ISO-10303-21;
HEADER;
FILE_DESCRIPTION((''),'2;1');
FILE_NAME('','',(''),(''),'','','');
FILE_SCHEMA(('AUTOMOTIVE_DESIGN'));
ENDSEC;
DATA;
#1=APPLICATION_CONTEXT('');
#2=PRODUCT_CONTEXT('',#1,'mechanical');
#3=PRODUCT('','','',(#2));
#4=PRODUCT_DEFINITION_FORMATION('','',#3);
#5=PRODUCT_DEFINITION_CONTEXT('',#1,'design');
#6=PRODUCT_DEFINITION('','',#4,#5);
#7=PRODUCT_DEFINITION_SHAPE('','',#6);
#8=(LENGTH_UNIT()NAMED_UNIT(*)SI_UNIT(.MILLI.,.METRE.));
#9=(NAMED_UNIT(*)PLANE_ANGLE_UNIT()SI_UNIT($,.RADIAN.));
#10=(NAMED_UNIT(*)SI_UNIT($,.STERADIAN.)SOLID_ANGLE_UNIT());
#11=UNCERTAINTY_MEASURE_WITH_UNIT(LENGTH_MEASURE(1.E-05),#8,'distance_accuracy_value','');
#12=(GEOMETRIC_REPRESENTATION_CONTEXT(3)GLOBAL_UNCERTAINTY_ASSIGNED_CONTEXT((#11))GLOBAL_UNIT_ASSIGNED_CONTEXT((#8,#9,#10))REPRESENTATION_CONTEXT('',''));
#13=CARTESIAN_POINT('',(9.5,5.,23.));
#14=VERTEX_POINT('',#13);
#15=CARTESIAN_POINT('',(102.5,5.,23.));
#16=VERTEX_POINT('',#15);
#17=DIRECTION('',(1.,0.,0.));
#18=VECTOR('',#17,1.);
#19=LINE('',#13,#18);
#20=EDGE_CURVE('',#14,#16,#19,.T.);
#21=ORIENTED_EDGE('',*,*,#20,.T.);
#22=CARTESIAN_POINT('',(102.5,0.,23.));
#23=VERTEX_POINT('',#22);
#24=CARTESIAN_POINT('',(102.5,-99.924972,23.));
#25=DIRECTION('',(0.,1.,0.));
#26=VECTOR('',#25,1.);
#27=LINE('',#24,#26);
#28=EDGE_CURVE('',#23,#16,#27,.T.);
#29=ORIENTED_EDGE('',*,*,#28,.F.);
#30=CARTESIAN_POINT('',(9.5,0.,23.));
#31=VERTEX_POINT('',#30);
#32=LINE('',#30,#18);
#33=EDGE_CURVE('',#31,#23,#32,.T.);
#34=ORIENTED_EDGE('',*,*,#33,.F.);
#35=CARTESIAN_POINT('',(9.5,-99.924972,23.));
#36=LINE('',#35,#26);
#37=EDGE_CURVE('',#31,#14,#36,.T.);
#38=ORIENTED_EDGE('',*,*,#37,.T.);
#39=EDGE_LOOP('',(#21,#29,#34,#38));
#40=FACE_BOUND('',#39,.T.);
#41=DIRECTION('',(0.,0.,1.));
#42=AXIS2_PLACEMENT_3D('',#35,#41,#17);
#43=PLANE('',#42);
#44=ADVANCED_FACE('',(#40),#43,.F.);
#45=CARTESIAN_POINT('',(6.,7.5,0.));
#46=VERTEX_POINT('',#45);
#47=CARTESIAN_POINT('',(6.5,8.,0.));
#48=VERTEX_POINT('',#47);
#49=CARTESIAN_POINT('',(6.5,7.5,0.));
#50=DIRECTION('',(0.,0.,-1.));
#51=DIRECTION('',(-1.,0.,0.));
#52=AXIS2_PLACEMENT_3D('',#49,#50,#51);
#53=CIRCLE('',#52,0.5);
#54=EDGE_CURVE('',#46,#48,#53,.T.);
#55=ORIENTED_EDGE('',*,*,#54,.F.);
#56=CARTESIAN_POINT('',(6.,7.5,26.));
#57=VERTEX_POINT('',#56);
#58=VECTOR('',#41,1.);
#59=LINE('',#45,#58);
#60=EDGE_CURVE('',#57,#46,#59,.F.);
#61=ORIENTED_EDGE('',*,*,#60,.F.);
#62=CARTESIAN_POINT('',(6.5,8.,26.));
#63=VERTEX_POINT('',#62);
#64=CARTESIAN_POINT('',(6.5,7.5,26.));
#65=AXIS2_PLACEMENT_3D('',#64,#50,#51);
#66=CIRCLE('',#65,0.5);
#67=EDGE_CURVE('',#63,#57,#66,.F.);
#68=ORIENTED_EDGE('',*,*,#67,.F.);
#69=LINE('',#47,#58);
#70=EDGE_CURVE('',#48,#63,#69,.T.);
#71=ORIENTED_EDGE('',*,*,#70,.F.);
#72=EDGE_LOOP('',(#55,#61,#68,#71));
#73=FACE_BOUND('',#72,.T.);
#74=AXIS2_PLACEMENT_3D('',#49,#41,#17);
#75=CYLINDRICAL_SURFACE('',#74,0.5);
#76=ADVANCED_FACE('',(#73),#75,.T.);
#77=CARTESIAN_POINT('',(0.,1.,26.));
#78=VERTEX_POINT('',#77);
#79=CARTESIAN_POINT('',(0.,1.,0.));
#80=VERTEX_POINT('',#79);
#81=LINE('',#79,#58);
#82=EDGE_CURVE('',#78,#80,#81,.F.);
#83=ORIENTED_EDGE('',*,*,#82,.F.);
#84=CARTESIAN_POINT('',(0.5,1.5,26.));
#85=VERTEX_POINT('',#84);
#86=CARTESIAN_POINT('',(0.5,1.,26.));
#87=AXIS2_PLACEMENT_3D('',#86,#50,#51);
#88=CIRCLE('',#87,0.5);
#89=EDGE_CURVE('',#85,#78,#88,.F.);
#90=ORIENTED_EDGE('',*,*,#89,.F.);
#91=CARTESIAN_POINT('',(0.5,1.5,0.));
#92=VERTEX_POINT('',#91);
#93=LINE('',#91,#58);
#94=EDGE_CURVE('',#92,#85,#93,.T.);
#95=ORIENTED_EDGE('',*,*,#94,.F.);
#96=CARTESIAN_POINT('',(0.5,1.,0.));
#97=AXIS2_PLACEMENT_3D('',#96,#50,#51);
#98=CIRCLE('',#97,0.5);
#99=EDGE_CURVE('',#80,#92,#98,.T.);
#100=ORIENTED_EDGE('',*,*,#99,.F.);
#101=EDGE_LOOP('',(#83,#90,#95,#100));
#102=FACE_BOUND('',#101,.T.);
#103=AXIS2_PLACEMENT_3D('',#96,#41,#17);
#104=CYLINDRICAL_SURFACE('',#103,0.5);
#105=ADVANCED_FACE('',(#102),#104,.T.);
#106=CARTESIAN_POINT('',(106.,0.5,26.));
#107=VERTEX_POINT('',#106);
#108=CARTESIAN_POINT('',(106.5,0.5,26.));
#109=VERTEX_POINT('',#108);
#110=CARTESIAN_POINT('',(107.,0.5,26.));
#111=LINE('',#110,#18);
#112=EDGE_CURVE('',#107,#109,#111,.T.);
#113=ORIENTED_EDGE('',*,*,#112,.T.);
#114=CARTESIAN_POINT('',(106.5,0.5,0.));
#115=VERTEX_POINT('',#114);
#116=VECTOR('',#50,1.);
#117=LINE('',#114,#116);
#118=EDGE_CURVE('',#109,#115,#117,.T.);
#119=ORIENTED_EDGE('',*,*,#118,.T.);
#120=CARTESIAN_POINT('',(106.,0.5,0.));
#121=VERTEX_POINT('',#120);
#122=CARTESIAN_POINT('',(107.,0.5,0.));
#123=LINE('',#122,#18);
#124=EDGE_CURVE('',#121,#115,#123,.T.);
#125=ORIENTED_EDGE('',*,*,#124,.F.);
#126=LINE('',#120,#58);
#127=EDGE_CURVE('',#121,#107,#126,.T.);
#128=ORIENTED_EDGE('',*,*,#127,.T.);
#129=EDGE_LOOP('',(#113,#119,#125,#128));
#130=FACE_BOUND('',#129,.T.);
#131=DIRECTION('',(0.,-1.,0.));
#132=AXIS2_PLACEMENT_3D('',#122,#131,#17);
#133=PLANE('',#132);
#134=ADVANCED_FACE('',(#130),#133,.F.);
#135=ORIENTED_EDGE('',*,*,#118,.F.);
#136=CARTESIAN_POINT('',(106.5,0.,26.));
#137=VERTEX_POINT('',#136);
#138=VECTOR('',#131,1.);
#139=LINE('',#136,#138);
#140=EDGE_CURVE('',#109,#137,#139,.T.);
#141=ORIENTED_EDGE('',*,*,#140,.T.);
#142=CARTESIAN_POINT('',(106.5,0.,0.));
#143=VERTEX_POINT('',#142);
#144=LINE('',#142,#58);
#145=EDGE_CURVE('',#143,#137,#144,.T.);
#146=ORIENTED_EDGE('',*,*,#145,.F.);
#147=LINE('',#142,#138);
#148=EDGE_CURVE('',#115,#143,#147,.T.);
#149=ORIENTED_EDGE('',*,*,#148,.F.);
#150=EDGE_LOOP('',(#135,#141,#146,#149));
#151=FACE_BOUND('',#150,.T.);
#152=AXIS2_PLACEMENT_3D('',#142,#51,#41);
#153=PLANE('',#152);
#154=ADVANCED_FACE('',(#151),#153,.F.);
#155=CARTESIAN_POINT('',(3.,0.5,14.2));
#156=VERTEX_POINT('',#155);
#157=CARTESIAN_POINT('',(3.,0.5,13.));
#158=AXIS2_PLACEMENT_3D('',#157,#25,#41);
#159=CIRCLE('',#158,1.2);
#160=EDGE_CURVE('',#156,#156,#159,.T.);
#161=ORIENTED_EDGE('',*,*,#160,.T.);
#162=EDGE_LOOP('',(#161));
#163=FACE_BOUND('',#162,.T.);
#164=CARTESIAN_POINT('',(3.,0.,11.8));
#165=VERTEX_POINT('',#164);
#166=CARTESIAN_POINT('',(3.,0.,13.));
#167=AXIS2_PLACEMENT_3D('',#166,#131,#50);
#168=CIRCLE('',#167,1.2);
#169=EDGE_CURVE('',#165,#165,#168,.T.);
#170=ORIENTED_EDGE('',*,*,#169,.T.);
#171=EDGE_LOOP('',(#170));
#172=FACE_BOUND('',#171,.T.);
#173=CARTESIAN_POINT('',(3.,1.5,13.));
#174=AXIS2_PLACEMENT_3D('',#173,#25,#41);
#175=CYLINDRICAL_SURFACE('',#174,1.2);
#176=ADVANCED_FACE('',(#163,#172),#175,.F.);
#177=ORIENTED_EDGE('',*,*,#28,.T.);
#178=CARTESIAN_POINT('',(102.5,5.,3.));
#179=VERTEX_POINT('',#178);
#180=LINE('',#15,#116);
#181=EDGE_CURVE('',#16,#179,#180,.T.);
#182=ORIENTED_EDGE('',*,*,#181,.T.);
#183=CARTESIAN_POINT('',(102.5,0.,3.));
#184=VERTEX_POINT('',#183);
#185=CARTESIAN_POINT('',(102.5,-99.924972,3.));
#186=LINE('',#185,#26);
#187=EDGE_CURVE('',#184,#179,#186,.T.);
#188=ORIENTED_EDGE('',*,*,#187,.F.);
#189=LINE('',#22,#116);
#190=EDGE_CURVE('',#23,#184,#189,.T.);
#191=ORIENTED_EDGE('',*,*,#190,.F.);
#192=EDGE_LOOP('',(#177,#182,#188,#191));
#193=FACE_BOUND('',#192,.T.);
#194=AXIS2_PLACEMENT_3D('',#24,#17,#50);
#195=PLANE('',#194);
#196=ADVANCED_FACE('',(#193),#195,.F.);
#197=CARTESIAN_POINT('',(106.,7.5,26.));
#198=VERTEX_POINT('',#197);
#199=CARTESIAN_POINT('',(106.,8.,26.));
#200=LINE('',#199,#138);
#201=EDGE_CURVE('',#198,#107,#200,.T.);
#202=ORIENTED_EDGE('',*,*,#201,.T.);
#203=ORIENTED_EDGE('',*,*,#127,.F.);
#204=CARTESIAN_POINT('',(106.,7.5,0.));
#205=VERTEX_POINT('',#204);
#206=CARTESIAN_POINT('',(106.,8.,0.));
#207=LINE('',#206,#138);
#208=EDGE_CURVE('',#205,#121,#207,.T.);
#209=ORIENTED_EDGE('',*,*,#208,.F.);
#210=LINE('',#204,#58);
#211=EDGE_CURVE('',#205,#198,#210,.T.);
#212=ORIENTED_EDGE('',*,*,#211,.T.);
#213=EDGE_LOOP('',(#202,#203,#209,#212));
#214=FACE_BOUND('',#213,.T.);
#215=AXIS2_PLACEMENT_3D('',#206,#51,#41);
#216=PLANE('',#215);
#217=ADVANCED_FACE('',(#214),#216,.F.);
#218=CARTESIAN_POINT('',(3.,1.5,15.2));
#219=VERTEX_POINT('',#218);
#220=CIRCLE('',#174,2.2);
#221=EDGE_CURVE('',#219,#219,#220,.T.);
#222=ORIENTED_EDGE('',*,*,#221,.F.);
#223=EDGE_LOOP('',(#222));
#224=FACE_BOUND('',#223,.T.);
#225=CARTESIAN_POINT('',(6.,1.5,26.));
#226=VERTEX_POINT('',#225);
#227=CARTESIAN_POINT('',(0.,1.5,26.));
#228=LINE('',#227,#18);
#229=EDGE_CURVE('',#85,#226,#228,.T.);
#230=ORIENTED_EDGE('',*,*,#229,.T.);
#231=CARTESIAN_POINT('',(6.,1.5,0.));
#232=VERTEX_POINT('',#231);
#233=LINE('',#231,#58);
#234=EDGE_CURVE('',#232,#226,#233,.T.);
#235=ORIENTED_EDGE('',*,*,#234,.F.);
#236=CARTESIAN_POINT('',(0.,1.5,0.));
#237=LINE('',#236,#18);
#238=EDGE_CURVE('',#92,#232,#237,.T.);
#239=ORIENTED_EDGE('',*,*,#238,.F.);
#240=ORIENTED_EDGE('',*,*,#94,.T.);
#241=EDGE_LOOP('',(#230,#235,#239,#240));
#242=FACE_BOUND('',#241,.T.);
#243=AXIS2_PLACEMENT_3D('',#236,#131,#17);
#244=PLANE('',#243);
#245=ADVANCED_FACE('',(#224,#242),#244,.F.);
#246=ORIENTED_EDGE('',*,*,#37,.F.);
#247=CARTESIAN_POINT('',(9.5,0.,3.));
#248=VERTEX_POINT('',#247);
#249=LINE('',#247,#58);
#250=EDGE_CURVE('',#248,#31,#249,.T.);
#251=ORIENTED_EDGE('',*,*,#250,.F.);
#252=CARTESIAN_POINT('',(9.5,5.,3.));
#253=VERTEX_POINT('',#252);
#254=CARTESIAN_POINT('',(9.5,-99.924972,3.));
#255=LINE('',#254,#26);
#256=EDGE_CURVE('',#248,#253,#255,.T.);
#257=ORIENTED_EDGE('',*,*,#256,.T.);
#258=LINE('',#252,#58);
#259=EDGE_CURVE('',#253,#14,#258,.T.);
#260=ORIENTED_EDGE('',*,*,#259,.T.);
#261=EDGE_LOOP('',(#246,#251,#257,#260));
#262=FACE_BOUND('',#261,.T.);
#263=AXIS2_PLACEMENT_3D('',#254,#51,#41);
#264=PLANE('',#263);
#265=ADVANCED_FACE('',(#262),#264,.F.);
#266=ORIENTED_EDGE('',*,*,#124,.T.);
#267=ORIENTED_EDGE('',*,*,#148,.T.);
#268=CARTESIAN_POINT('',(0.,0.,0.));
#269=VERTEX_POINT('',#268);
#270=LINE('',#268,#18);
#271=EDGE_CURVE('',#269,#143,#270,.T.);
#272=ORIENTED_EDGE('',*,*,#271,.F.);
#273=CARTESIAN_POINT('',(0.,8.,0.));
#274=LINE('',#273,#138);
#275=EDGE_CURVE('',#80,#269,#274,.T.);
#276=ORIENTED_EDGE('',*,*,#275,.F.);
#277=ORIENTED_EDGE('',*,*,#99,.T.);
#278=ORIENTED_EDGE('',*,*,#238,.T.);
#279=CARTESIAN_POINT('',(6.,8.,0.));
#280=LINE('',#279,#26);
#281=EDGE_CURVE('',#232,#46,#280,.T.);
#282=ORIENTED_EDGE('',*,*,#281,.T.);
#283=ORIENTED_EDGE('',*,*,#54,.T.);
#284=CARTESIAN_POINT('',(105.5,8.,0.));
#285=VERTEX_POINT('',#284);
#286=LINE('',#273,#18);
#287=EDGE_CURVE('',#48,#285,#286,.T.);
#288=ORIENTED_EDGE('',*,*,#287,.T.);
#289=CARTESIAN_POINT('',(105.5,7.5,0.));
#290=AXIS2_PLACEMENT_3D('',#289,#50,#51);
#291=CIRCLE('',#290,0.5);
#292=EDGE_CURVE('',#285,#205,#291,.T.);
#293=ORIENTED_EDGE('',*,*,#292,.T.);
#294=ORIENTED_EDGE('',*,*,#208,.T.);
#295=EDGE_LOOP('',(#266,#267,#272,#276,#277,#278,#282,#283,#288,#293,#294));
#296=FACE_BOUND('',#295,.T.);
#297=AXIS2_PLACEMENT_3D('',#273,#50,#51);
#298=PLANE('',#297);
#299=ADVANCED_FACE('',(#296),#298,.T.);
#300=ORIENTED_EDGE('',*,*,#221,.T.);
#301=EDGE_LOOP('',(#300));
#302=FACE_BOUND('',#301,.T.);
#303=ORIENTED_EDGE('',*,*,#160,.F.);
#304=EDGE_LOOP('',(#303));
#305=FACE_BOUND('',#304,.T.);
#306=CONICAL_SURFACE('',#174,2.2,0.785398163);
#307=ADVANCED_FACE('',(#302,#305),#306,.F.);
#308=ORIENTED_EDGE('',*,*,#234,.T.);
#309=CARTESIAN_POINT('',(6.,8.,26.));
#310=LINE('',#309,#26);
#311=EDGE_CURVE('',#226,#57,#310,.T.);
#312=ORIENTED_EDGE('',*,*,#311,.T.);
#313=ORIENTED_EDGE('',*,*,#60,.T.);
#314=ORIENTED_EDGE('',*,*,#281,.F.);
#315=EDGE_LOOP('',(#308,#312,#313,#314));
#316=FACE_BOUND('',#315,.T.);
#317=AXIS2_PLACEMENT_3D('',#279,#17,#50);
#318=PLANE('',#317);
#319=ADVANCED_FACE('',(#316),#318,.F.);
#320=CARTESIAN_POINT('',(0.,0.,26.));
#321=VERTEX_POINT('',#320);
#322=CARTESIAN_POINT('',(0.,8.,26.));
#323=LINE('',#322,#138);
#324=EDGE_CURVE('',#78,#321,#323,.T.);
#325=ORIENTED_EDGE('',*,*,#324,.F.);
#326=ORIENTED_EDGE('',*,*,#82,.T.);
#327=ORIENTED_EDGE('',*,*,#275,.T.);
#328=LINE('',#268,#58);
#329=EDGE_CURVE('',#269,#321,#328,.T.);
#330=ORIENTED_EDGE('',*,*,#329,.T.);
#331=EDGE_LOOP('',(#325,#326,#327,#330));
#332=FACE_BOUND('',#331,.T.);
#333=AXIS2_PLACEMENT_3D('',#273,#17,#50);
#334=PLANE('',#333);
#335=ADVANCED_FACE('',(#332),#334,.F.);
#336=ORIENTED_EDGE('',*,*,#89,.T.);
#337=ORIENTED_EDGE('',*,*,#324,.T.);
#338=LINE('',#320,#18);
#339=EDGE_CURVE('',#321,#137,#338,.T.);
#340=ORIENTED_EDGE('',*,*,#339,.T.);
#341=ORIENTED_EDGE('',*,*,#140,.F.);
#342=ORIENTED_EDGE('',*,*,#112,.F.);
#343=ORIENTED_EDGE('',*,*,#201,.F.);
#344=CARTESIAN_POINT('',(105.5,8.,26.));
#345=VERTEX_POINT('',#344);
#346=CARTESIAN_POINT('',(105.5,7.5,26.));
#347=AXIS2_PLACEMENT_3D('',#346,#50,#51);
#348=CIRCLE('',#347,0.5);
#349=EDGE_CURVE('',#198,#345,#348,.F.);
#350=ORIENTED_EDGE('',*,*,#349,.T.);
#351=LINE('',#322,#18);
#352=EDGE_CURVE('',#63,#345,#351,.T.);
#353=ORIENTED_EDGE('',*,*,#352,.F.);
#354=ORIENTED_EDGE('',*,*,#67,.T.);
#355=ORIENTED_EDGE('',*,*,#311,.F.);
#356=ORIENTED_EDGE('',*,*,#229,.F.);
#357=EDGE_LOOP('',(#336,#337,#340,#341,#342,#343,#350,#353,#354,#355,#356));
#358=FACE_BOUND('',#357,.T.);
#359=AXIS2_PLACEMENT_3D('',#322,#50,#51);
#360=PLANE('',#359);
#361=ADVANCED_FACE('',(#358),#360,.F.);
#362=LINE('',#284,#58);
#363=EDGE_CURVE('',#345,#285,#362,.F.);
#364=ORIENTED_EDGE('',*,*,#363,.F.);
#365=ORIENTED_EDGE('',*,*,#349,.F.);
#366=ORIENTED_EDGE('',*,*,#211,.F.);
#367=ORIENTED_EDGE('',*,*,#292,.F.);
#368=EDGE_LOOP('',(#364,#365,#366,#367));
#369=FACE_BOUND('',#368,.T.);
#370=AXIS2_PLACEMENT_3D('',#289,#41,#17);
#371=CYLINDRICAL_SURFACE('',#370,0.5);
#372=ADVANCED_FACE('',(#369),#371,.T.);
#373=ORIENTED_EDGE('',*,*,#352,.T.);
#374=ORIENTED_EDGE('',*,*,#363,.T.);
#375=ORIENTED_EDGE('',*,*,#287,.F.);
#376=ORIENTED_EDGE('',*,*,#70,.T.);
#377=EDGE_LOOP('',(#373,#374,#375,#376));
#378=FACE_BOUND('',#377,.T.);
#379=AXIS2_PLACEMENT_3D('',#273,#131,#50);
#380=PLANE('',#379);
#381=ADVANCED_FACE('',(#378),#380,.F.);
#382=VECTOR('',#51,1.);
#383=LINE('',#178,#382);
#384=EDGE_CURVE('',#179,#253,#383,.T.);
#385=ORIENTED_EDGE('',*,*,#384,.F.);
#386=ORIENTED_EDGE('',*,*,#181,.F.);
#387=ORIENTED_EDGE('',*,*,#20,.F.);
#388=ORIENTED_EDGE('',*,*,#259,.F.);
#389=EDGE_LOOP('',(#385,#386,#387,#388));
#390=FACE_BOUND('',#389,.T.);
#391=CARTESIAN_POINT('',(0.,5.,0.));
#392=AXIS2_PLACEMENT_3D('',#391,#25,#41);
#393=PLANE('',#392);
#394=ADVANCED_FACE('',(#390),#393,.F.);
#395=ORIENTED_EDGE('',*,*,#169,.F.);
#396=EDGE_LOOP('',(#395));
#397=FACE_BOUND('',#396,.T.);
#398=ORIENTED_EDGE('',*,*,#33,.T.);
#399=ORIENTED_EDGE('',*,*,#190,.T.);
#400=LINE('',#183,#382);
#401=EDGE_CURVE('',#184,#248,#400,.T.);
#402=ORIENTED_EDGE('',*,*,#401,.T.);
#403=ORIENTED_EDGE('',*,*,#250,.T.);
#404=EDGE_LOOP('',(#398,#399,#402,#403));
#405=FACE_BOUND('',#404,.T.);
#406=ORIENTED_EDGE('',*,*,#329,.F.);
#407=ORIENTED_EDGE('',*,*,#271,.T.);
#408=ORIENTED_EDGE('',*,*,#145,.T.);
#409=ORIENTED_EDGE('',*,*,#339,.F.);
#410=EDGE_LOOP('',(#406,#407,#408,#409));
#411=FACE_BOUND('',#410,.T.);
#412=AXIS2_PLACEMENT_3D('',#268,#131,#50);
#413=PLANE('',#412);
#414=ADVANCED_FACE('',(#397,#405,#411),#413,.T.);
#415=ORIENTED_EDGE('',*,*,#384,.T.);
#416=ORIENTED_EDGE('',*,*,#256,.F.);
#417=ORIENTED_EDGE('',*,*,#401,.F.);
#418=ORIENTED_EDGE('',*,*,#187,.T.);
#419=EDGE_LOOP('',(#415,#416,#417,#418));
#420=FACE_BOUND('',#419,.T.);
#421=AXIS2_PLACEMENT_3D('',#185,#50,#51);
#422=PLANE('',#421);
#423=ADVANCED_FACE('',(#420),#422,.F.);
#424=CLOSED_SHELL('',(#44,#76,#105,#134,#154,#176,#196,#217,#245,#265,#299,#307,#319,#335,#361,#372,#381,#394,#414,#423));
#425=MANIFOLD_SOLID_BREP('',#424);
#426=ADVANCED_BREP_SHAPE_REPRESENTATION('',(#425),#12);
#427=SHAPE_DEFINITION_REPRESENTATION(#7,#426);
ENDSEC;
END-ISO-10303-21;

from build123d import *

# Parameters (mm, degrees)
SKETCH1_W                                           = 107
SKETCH1_H                                           = 26
BOSS_EXTRUDE1_DEPTH                                 = 8
SKETCH2_W                                           = 1
SKETCH2_H                                           = 7.5
SKETCH2_W_2                                         = 6
SKETCH2_H_2                                         = 6.5
CUT_EXTRUDE1_DEPTH                                  = 111.403804282
FILLET1_R                                           = 0.5
CSK_FOR_M2_COUNTERSUNK_FLAT_HEAD_SCREW1_D           = 2.4
CSK_FOR_M2_COUNTERSUNK_FLAT_HEAD_SCREW1_DEPTH       = 15
CSK_FOR_M2_COUNTERSUNK_FLAT_HEAD_SCREW1_CSINK_D     = 4.4
CSK_FOR_M2_COUNTERSUNK_FLAT_HEAD_SCREW1_CSINK_ANGLE = 90
CSK_FOR_M2_COUNTERSUNK_FLAT_HEAD_SCREW1_TIP         = 0.721032743
SKETCH14_W                                          = 97
SKETCH14_H                                          = 24
CUT_EXTRUDE7_DEPTH                                  = 111.403804282
SKETCH14_3_W                                        = 97
SKETCH14_3_H                                        = 24
BOSS_EXTRUDE3_DEPTH                                 = 1
SKETCH18_W                                          = 97
SKETCH18_H                                          = 24
CUT_EXTRUDE8_DEPTH                                  = 111.403804282
SKETCH20_W                                          = 97
SKETCH20_H                                          = 24
SKETCH20_W_2                                        = 93
SKETCH20_H_2                                        = 20
BOSS_EXTRUDE4_DEPTH                                 = 8
SKETCH20_2_W                                        = 97
SKETCH20_2_H                                        = 24
SKETCH20_2_W_2                                      = 93
SKETCH20_2_H_2                                      = 20
CUT_EXTRUDE9_DEPTH                                  = 3
SKETCH21_W                                          = 52
SKETCH21_H                                          = 2
BOSS_EXTRUDE5_DEPTH                                 = 5
SKETCH22_W                                          = 52
SKETCH22_H                                          = 2
BOSS_EXTRUDE6_DEPTH                                 = 5
SKETCH23_W                                          = 0.5
SKETCH23_H                                          = 16.612240618
CUT_EXTRUDE10_DEPTH                                 = 111.403804282
BOSS_EXTRUDE7_REACH                                 = 111.249
SKETCH25_W                                          = 2
SKETCH25_H                                          = 5
CUT_EXTRUDE11_REACH                                 = 64.258
SKETCH26_W                                          = 10
SKETCH26_H                                          = 2
SKETCH27_W                                          = 97
SKETCH27_H                                          = 24
BOSS_EXTRUDE8_DEPTH                                 = 3
SKETCH29_W                                          = 20
SKETCH29_H                                          = 5
CUT_EXTRUDE12_DEPTH                                 = 54


with BuildPart() as part:
    # Sketch1 → Boss-Extrude1 (new body)
    with BuildSketch(Plane(origin=(0, 0, 0), x_dir=(1, 0, 0), z_dir=(0, 1, 0))):
        with Locations((53.5, -13)):
            Rectangle(SKETCH1_W, SKETCH1_H)
    extrude(amount=BOSS_EXTRUDE1_DEPTH)

    # Sketch2 → Cut-Extrude1 (cut, through all)
    with BuildSketch(Plane.XY.offset(26)):
        with Locations((106.5, 4.25)):
            Rectangle(SKETCH2_W, SKETCH2_H)
        with Locations((3, 4.75)):
            Rectangle(SKETCH2_W_2, SKETCH2_H_2)
    extrude(amount=-CUT_EXTRUDE1_DEPTH, mode=Mode.SUBTRACT)

    # Fillet1
    fillet1_edges = [part.edges().sort_by_distance(p)[0] for p in [
        (106, 8, 13),
        (0, 1.5, 13),
        (6, 8, 13),
    ]]
    fillet(fillet1_edges, radius=FILLET1_R)

    # CSK for M2 Countersunk Flat Head Screw1
    with Locations(Plane(origin=(3, 1.5, 13), x_dir=(1, 0, 0), z_dir=(0, 1, 0))):
        with Locations((0, 0)):
            CounterSinkHole(CSK_FOR_M2_COUNTERSUNK_FLAT_HEAD_SCREW1_D / 2, CSK_FOR_M2_COUNTERSUNK_FLAT_HEAD_SCREW1_CSINK_D / 2, depth=CSK_FOR_M2_COUNTERSUNK_FLAT_HEAD_SCREW1_DEPTH, counter_sink_angle=CSK_FOR_M2_COUNTERSUNK_FLAT_HEAD_SCREW1_CSINK_ANGLE)
            with Locations((0, 0, -(CSK_FOR_M2_COUNTERSUNK_FLAT_HEAD_SCREW1_DEPTH + CSK_FOR_M2_COUNTERSUNK_FLAT_HEAD_SCREW1_TIP / 2))):  # 118° drill point
                Cone(0, CSK_FOR_M2_COUNTERSUNK_FLAT_HEAD_SCREW1_D / 2, CSK_FOR_M2_COUNTERSUNK_FLAT_HEAD_SCREW1_TIP, mode=Mode.SUBTRACT)

    # Sketch14 → Cut-Extrude7 (cut, through all)
    with BuildSketch(Plane(origin=(0, 8, 0), x_dir=(1, 0, 0), z_dir=(0, 1, 0))):
        with Locations((56, -13)):
            Rectangle(SKETCH14_W, SKETCH14_H)
    extrude(amount=-CUT_EXTRUDE7_DEPTH, mode=Mode.SUBTRACT)

    # Sketch14<3> → Boss-Extrude3 (add)
    with BuildSketch(Plane(origin=(0, 8, 0), x_dir=(1, 0, 0), z_dir=(0, 1, 0))):
        with Locations((56, -13)):
            Rectangle(SKETCH14_3_W, SKETCH14_3_H)
    extrude(amount=-BOSS_EXTRUDE3_DEPTH)

    # Sketch18 → Cut-Extrude8 (cut, through all)
    with BuildSketch(Plane(origin=(0, 0, 0), x_dir=(1, 0, 0), z_dir=(0, 1, 0))):
        with Locations((56, -13)):
            Rectangle(SKETCH18_W, SKETCH18_H)
    extrude(amount=CUT_EXTRUDE8_DEPTH, mode=Mode.SUBTRACT)

    # Sketch20 → Boss-Extrude4 (add)
    with BuildSketch(Plane(origin=(0, 8, 0), x_dir=(1, 0, 0), z_dir=(0, 1, 0))):
        with Locations((56, -13)):
            Rectangle(SKETCH20_W, SKETCH20_H)
        with Locations((56, -13)):
            Rectangle(SKETCH20_W_2, SKETCH20_H_2, mode=Mode.SUBTRACT)
    extrude(amount=-BOSS_EXTRUDE4_DEPTH)

    # Sketch20<2> → Cut-Extrude9 (cut)
    with BuildSketch(Plane(origin=(0, 8, 0), x_dir=(1, 0, 0), z_dir=(0, 1, 0))):
        with Locations((56, -13)):
            Rectangle(SKETCH20_2_W, SKETCH20_2_H)
        with Locations((56, -13)):
            Rectangle(SKETCH20_2_W_2, SKETCH20_2_H_2, mode=Mode.SUBTRACT)
    extrude(amount=-CUT_EXTRUDE9_DEPTH, mode=Mode.SUBTRACT)

    # Sketch21 → Boss-Extrude5 (add)
    with BuildSketch(Plane.XY.offset(3)):
        with Locations((76.5, 1)):
            Rectangle(SKETCH21_W, SKETCH21_H)
    extrude(amount=BOSS_EXTRUDE5_DEPTH)

    # Sketch22 → Boss-Extrude6 (add)
    with BuildSketch(Plane(origin=(0, 0, 23), x_dir=(-1, 0, 0), z_dir=(0, 0, -1))):
        with Locations((-76.5, 1)):
            Rectangle(SKETCH22_W, SKETCH22_H)
    extrude(amount=BOSS_EXTRUDE6_DEPTH)

    # Sketch23 → Cut-Extrude10 (cut, through all)
    with BuildSketch(Plane.XY.offset(26)):
        with Locations((106.75, 8.306120309)):
            Rectangle(SKETCH23_W, SKETCH23_H)
    extrude(amount=-CUT_EXTRUDE10_DEPTH, mode=Mode.SUBTRACT)

    # Sketch25 → Boss-Extrude7 (add, up to next)
    with BuildSketch(Plane(origin=(0, 0, 23), x_dir=(-1, 0, 0), z_dir=(0, 0, -1)), mode=Mode.PRIVATE) as boss_extrude7_sk1:
        with Locations((-49.5, 2.5)):
            Rectangle(SKETCH25_W, SKETCH25_H)
    boss_extrude7_tool1 = extrude(boss_extrude7_sk1.sketch, amount=BOSS_EXTRUDE7_REACH, mode=Mode.PRIVATE) - part.part
    add(boss_extrude7_tool1.solids().sort_by_distance((49.5, 2.5, 23))[0])

    # Sketch26 → Cut-Extrude11 (cut, up to next)
    with BuildSketch(Plane(origin=(50.5, 0, 0), x_dir=(0, 0, -1), z_dir=(1, 0, 0)), mode=Mode.PRIVATE) as cut_extrude11_sk1:
        with Locations((-13, 1)):
            Rectangle(SKETCH26_W, SKETCH26_H)
    cut_extrude11_tool1 = extrude(cut_extrude11_sk1.sketch, amount=-CUT_EXTRUDE11_REACH, mode=Mode.PRIVATE) & part.part
    add(cut_extrude11_tool1.solids().sort_by_distance((50.5, 1, 13))[0], mode=Mode.SUBTRACT)

    # Sketch27 → Boss-Extrude8 (add)
    with BuildSketch(Plane(origin=(0, 5, 0), x_dir=(1, 0, 0), z_dir=(0, 1, 0))):
        with Locations((56, -13)):
            Rectangle(SKETCH27_W, SKETCH27_H)
    extrude(amount=BOSS_EXTRUDE8_DEPTH)

    # Sketch29 → Cut-Extrude12 (cut)
    with BuildSketch(Plane.ZY.offset(-48.5)):
        with Locations((13, 2.5)):
            Rectangle(SKETCH29_W, SKETCH29_H)
    extrude(amount=-CUT_EXTRUDE12_DEPTH, mode=Mode.SUBTRACT)


solid = part.part
